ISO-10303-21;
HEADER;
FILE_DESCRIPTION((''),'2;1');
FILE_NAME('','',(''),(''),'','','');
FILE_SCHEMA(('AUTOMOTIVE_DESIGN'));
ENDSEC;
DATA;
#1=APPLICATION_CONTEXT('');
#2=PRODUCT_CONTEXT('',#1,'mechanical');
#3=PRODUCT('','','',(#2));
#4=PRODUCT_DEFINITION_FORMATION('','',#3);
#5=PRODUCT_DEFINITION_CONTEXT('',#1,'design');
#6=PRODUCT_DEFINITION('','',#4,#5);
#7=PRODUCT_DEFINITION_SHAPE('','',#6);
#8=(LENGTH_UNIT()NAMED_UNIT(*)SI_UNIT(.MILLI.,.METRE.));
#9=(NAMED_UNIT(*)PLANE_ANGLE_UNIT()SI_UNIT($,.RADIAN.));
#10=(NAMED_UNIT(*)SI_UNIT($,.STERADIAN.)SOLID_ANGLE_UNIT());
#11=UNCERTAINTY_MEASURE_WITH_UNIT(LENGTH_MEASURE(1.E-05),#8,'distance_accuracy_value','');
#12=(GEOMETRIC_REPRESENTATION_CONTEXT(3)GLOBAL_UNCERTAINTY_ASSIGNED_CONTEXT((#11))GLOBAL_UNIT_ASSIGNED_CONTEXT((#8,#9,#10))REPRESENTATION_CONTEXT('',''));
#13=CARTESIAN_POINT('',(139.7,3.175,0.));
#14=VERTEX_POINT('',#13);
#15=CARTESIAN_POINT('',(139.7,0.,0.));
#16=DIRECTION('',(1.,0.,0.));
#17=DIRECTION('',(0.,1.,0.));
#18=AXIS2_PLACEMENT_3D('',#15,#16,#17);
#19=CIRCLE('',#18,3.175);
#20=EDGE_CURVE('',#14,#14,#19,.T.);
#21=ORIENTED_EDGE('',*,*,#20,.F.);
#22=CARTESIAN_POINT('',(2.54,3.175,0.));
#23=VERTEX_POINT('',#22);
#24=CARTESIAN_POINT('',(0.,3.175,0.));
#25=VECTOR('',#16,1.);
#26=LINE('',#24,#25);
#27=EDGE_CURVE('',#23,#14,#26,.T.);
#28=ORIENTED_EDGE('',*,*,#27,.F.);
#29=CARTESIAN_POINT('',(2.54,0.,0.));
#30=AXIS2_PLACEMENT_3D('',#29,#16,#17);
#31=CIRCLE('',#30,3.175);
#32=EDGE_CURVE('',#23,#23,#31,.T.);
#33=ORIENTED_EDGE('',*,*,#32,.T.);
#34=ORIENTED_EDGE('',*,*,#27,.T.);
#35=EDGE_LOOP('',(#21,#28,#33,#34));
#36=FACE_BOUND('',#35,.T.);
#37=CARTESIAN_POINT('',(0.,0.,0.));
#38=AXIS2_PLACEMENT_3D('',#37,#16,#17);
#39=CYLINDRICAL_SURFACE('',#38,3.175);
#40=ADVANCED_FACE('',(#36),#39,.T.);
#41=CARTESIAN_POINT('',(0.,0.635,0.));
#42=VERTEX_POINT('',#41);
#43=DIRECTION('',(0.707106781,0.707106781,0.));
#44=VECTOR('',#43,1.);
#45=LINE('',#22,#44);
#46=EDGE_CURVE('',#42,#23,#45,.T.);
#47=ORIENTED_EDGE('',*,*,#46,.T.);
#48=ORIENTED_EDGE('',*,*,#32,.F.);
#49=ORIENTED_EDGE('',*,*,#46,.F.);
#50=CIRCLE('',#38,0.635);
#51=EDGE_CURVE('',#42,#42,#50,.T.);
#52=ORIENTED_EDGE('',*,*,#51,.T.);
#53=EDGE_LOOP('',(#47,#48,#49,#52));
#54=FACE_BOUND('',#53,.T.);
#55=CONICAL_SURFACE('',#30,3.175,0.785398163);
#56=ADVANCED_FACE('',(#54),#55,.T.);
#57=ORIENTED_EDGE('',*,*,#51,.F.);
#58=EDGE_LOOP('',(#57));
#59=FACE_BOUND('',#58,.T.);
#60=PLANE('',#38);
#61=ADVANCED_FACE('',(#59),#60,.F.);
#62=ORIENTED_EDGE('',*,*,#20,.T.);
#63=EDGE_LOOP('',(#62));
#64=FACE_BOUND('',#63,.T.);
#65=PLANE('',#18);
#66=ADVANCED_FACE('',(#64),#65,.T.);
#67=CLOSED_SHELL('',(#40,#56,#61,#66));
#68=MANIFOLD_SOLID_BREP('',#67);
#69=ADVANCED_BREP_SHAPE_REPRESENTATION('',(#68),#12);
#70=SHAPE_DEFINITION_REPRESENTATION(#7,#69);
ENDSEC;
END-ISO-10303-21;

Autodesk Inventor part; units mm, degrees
ref_plane "Start Plane" through (0, 0, 0) normal (1, 0, 0) x (0, 1, 0)
ref_plane "XZ Plane" through (0, 0, 0) normal (0, 1, 0) x (-1, 0, 0)
ref_plane "XY Plane" through (0, 0, 0) normal (0, 0, 1) x (1, 0, 0)
sketch "Main Sketch" plane through (0, 0, 0) normal (0, 0, 1) x (1, 0, 0)
  line L0 (0, 0) -> (139.7, 0)
  line L1 (0, 0) -> (0, 3.175)
  line L2 (139.7, 3.175) -> (139.7, 0)
  line L3 (0, 3.175) -> (139.7, 3.175)
  dimension "d3" = 6.35
revolve "Revolution1" add sketch "Main Sketch" angle 360 about axis through (0, 0, 0) along (1, 0, 0)
chamfer "Chamfer2" distance 2.54 angle 45 1 edges at (0, -3.175, 0) measured on face at (46.5667, 3.1339, -0.5093)
properties part number "Shaft" material "Steel"
